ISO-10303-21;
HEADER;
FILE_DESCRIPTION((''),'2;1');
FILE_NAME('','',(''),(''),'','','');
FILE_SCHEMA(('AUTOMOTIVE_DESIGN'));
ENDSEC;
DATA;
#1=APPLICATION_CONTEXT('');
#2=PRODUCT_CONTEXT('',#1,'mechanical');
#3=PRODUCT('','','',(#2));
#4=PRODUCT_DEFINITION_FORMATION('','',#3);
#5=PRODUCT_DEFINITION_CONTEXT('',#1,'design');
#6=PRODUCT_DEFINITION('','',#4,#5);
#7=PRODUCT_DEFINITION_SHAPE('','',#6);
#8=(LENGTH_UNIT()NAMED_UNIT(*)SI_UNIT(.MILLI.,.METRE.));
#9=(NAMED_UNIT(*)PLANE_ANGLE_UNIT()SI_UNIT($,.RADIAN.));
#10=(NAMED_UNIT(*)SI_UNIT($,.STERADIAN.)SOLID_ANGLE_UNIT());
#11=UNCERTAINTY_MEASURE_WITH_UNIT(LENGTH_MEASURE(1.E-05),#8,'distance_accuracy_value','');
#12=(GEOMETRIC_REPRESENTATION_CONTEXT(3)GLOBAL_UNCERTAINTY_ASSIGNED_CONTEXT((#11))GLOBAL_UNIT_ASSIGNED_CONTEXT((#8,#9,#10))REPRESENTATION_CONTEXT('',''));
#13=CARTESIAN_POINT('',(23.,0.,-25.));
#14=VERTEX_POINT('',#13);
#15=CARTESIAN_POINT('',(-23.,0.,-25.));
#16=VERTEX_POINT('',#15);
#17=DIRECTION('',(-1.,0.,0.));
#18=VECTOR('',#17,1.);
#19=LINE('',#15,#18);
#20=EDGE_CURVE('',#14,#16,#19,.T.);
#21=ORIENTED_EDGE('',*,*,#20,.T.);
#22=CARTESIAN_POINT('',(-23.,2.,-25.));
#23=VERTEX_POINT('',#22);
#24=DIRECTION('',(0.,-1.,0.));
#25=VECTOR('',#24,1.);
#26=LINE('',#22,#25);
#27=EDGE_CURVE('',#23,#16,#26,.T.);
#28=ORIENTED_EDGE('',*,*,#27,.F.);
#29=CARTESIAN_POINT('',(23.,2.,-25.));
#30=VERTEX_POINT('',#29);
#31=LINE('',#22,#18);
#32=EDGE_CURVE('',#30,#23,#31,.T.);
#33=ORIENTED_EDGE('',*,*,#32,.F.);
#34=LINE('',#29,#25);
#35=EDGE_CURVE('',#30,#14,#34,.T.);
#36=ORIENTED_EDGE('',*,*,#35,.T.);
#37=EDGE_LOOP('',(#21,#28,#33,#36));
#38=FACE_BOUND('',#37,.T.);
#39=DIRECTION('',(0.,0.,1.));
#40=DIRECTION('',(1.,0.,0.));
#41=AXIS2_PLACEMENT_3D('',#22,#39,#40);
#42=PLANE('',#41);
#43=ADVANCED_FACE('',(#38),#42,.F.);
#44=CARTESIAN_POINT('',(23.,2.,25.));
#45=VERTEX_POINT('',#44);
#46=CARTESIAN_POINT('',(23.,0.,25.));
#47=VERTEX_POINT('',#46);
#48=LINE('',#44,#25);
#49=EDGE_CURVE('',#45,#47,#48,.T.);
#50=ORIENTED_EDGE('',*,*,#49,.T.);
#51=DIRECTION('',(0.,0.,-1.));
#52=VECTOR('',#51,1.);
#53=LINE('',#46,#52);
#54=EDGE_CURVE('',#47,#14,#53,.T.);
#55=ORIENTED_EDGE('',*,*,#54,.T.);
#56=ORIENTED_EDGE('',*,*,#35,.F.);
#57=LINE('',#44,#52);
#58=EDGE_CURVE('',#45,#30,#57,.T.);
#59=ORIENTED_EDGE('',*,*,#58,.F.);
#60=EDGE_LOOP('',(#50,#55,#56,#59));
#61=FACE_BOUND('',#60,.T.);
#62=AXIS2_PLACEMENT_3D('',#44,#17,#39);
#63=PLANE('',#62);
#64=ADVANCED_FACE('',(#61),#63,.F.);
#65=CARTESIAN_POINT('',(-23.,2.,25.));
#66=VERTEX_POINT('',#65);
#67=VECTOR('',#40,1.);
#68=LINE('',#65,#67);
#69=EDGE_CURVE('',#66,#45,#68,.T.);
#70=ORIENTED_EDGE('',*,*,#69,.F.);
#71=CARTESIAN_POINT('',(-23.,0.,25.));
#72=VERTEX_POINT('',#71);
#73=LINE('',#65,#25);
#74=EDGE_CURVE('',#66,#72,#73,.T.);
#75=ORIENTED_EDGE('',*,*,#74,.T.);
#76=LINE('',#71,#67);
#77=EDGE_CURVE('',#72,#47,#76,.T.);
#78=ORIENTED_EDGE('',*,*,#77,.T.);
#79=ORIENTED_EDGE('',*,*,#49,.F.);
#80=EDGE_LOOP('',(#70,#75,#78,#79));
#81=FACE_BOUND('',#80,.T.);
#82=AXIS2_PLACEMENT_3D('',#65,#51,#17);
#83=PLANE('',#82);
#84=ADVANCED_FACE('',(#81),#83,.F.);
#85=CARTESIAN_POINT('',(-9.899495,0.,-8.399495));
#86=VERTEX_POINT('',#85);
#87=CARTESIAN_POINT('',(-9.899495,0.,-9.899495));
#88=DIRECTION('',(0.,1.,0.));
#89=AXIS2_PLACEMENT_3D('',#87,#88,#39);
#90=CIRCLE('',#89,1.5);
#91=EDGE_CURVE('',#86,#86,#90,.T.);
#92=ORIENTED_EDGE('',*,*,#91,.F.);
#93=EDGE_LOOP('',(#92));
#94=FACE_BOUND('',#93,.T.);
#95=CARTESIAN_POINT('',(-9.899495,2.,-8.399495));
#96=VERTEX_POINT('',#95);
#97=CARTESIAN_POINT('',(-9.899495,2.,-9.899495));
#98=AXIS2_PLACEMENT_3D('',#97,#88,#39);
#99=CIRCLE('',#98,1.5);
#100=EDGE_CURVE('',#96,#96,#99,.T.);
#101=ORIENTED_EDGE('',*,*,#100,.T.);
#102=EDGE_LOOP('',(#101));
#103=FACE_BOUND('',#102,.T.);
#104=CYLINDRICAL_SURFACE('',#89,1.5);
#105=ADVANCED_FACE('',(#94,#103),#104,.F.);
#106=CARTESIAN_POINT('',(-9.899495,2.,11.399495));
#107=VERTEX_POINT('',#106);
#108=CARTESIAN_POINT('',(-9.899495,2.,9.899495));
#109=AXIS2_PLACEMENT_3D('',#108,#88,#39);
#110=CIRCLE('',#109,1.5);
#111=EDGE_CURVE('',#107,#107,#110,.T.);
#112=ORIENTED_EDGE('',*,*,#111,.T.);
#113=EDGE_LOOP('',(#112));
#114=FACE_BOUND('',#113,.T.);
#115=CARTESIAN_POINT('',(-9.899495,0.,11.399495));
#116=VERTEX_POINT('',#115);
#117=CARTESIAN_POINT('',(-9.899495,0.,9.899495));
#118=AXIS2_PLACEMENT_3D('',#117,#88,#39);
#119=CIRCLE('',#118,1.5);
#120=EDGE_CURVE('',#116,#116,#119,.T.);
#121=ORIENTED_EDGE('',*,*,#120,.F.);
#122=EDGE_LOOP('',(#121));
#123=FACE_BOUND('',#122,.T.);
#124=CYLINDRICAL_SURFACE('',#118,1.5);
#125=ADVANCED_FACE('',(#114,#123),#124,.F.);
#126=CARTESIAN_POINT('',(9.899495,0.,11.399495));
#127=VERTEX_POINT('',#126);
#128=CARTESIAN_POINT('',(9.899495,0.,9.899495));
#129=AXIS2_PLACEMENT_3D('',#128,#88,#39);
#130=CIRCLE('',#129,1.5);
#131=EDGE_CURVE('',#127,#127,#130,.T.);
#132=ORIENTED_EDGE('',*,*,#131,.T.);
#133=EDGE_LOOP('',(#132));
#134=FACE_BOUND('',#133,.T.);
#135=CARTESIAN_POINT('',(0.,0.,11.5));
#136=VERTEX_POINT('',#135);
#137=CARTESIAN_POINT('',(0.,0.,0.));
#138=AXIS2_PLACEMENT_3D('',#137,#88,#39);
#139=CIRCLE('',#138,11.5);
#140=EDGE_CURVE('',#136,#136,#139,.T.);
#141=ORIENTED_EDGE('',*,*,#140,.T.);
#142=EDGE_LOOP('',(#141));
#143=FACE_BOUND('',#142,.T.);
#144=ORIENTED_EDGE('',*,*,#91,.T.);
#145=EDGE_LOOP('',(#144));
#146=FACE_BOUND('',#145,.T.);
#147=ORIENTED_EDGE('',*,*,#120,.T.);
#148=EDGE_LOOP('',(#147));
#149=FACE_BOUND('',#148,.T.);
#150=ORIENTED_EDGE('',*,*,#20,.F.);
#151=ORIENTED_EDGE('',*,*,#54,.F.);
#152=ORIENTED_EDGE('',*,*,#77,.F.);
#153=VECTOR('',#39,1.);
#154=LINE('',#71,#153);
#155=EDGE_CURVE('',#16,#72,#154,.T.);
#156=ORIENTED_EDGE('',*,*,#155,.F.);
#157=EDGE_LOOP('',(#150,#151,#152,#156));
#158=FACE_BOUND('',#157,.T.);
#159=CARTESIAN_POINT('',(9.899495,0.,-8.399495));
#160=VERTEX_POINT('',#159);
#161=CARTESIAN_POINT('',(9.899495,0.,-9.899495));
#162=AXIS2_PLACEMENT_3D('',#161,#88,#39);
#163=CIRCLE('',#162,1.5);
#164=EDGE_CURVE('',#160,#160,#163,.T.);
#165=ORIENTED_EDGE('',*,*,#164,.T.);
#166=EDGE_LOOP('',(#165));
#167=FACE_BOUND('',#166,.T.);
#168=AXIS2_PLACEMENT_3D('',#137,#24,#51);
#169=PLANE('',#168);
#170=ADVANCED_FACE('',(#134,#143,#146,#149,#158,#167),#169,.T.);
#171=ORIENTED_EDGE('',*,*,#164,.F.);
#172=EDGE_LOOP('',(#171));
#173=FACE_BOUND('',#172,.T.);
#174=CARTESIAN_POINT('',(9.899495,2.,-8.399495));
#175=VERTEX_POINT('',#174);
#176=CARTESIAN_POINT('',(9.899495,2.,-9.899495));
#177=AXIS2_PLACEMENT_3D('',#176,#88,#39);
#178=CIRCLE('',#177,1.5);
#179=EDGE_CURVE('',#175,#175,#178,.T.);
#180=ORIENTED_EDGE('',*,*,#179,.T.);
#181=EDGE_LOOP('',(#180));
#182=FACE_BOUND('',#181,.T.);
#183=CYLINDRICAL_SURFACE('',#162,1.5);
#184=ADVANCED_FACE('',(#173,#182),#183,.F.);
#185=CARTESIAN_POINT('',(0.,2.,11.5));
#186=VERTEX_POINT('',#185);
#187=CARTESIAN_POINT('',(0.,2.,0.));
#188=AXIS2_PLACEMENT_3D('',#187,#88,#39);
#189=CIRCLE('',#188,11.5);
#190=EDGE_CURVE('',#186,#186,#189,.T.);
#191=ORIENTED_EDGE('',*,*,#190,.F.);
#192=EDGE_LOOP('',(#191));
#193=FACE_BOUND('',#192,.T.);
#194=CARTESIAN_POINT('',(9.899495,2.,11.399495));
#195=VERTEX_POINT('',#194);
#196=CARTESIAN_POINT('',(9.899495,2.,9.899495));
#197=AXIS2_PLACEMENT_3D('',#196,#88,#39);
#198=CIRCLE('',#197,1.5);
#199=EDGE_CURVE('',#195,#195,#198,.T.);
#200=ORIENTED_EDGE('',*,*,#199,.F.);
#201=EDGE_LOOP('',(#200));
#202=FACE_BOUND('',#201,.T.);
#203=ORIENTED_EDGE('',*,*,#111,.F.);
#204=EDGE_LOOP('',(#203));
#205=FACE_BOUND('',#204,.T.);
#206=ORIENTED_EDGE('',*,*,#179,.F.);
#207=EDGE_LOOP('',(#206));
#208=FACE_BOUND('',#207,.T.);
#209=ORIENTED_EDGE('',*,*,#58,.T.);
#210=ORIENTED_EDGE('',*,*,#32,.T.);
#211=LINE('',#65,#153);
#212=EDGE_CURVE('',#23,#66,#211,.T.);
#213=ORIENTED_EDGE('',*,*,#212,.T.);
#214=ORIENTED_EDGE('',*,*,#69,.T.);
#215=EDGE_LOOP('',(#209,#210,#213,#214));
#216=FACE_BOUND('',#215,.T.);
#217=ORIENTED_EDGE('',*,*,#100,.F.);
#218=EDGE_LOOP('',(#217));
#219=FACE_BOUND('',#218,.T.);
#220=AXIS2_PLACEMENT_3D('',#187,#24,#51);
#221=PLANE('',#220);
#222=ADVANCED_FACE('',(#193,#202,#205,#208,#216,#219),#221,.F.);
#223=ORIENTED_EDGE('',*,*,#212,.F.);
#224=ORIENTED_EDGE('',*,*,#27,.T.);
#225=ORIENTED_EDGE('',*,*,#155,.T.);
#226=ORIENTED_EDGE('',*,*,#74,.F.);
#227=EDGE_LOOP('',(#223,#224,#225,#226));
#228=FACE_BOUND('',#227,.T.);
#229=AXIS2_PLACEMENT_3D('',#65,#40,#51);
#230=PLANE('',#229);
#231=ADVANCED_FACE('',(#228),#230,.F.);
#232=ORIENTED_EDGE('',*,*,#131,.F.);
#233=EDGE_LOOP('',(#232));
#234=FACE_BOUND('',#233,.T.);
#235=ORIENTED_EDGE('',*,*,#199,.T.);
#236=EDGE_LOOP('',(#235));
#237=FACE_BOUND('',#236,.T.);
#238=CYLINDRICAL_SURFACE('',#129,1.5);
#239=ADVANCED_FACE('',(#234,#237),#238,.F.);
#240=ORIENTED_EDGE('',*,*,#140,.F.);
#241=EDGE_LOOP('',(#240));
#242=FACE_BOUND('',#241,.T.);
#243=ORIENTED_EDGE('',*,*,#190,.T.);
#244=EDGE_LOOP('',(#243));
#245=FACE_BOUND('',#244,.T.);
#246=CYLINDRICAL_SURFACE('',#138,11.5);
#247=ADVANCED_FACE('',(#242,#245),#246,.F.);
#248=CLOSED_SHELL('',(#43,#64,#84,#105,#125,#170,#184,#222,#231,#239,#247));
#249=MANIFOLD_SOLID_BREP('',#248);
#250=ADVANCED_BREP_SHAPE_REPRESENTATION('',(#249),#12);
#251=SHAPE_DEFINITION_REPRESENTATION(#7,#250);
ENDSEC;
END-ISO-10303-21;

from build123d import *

# Parameters (mm, degrees)
SKETCH1_W           = 46
SKETCH1_H           = 50
BOSS_EXTRUDE1_DEPTH = 2
SKETCH2_R           = 11.5
CUT_EXTRUDE2_DEPTH  = 35.029399054
SKETCH3_R           = 1.5
CUT_EXTRUDE3_DEPTH  = 35.029399054


with BuildPart() as part:
    # Sketch1 → Boss-Extrude1 (new body)
    with BuildSketch(Plane(origin=(0, 0, 0), x_dir=(1, 0, 0), z_dir=(0, 1, 0))):
        Rectangle(SKETCH1_W, SKETCH1_H)
    extrude(amount=BOSS_EXTRUDE1_DEPTH)

    # Sketch2 → Cut-Extrude2 (cut, through all)
    with BuildSketch(Plane(origin=(0, 2, 0), x_dir=(1, 0, 0), z_dir=(0, 1, 0))):
        with Locations(Location((0, 0, 0), (0, 0, 270))):
            Circle(SKETCH2_R)
    extrude(amount=-CUT_EXTRUDE2_DEPTH, mode=Mode.SUBTRACT)

    # Sketch3 → Cut-Extrude3 (cut, through all)
    with BuildSketch(Plane(origin=(0, 2, 0), x_dir=(1, 0, 0), z_dir=(0, 1, 0))):
        with Locations(Location((9.899494937, 9.899494937, 0), (0, 0, 270))):
            Circle(SKETCH3_R)
        with Locations(Location((-9.899494937, 9.899494937, 0), (0, 0, 270))):
            Circle(SKETCH3_R)
        with Locations(Location((-9.899494937, -9.899494937, 0), (0, 0, 270))):
            Circle(SKETCH3_R)
        with Locations(Location((9.899494937, -9.899494937, 0), (0, 0, 270))):
            Circle(SKETCH3_R)
    extrude(amount=-CUT_EXTRUDE3_DEPTH, mode=Mode.SUBTRACT)


solid = part.part
